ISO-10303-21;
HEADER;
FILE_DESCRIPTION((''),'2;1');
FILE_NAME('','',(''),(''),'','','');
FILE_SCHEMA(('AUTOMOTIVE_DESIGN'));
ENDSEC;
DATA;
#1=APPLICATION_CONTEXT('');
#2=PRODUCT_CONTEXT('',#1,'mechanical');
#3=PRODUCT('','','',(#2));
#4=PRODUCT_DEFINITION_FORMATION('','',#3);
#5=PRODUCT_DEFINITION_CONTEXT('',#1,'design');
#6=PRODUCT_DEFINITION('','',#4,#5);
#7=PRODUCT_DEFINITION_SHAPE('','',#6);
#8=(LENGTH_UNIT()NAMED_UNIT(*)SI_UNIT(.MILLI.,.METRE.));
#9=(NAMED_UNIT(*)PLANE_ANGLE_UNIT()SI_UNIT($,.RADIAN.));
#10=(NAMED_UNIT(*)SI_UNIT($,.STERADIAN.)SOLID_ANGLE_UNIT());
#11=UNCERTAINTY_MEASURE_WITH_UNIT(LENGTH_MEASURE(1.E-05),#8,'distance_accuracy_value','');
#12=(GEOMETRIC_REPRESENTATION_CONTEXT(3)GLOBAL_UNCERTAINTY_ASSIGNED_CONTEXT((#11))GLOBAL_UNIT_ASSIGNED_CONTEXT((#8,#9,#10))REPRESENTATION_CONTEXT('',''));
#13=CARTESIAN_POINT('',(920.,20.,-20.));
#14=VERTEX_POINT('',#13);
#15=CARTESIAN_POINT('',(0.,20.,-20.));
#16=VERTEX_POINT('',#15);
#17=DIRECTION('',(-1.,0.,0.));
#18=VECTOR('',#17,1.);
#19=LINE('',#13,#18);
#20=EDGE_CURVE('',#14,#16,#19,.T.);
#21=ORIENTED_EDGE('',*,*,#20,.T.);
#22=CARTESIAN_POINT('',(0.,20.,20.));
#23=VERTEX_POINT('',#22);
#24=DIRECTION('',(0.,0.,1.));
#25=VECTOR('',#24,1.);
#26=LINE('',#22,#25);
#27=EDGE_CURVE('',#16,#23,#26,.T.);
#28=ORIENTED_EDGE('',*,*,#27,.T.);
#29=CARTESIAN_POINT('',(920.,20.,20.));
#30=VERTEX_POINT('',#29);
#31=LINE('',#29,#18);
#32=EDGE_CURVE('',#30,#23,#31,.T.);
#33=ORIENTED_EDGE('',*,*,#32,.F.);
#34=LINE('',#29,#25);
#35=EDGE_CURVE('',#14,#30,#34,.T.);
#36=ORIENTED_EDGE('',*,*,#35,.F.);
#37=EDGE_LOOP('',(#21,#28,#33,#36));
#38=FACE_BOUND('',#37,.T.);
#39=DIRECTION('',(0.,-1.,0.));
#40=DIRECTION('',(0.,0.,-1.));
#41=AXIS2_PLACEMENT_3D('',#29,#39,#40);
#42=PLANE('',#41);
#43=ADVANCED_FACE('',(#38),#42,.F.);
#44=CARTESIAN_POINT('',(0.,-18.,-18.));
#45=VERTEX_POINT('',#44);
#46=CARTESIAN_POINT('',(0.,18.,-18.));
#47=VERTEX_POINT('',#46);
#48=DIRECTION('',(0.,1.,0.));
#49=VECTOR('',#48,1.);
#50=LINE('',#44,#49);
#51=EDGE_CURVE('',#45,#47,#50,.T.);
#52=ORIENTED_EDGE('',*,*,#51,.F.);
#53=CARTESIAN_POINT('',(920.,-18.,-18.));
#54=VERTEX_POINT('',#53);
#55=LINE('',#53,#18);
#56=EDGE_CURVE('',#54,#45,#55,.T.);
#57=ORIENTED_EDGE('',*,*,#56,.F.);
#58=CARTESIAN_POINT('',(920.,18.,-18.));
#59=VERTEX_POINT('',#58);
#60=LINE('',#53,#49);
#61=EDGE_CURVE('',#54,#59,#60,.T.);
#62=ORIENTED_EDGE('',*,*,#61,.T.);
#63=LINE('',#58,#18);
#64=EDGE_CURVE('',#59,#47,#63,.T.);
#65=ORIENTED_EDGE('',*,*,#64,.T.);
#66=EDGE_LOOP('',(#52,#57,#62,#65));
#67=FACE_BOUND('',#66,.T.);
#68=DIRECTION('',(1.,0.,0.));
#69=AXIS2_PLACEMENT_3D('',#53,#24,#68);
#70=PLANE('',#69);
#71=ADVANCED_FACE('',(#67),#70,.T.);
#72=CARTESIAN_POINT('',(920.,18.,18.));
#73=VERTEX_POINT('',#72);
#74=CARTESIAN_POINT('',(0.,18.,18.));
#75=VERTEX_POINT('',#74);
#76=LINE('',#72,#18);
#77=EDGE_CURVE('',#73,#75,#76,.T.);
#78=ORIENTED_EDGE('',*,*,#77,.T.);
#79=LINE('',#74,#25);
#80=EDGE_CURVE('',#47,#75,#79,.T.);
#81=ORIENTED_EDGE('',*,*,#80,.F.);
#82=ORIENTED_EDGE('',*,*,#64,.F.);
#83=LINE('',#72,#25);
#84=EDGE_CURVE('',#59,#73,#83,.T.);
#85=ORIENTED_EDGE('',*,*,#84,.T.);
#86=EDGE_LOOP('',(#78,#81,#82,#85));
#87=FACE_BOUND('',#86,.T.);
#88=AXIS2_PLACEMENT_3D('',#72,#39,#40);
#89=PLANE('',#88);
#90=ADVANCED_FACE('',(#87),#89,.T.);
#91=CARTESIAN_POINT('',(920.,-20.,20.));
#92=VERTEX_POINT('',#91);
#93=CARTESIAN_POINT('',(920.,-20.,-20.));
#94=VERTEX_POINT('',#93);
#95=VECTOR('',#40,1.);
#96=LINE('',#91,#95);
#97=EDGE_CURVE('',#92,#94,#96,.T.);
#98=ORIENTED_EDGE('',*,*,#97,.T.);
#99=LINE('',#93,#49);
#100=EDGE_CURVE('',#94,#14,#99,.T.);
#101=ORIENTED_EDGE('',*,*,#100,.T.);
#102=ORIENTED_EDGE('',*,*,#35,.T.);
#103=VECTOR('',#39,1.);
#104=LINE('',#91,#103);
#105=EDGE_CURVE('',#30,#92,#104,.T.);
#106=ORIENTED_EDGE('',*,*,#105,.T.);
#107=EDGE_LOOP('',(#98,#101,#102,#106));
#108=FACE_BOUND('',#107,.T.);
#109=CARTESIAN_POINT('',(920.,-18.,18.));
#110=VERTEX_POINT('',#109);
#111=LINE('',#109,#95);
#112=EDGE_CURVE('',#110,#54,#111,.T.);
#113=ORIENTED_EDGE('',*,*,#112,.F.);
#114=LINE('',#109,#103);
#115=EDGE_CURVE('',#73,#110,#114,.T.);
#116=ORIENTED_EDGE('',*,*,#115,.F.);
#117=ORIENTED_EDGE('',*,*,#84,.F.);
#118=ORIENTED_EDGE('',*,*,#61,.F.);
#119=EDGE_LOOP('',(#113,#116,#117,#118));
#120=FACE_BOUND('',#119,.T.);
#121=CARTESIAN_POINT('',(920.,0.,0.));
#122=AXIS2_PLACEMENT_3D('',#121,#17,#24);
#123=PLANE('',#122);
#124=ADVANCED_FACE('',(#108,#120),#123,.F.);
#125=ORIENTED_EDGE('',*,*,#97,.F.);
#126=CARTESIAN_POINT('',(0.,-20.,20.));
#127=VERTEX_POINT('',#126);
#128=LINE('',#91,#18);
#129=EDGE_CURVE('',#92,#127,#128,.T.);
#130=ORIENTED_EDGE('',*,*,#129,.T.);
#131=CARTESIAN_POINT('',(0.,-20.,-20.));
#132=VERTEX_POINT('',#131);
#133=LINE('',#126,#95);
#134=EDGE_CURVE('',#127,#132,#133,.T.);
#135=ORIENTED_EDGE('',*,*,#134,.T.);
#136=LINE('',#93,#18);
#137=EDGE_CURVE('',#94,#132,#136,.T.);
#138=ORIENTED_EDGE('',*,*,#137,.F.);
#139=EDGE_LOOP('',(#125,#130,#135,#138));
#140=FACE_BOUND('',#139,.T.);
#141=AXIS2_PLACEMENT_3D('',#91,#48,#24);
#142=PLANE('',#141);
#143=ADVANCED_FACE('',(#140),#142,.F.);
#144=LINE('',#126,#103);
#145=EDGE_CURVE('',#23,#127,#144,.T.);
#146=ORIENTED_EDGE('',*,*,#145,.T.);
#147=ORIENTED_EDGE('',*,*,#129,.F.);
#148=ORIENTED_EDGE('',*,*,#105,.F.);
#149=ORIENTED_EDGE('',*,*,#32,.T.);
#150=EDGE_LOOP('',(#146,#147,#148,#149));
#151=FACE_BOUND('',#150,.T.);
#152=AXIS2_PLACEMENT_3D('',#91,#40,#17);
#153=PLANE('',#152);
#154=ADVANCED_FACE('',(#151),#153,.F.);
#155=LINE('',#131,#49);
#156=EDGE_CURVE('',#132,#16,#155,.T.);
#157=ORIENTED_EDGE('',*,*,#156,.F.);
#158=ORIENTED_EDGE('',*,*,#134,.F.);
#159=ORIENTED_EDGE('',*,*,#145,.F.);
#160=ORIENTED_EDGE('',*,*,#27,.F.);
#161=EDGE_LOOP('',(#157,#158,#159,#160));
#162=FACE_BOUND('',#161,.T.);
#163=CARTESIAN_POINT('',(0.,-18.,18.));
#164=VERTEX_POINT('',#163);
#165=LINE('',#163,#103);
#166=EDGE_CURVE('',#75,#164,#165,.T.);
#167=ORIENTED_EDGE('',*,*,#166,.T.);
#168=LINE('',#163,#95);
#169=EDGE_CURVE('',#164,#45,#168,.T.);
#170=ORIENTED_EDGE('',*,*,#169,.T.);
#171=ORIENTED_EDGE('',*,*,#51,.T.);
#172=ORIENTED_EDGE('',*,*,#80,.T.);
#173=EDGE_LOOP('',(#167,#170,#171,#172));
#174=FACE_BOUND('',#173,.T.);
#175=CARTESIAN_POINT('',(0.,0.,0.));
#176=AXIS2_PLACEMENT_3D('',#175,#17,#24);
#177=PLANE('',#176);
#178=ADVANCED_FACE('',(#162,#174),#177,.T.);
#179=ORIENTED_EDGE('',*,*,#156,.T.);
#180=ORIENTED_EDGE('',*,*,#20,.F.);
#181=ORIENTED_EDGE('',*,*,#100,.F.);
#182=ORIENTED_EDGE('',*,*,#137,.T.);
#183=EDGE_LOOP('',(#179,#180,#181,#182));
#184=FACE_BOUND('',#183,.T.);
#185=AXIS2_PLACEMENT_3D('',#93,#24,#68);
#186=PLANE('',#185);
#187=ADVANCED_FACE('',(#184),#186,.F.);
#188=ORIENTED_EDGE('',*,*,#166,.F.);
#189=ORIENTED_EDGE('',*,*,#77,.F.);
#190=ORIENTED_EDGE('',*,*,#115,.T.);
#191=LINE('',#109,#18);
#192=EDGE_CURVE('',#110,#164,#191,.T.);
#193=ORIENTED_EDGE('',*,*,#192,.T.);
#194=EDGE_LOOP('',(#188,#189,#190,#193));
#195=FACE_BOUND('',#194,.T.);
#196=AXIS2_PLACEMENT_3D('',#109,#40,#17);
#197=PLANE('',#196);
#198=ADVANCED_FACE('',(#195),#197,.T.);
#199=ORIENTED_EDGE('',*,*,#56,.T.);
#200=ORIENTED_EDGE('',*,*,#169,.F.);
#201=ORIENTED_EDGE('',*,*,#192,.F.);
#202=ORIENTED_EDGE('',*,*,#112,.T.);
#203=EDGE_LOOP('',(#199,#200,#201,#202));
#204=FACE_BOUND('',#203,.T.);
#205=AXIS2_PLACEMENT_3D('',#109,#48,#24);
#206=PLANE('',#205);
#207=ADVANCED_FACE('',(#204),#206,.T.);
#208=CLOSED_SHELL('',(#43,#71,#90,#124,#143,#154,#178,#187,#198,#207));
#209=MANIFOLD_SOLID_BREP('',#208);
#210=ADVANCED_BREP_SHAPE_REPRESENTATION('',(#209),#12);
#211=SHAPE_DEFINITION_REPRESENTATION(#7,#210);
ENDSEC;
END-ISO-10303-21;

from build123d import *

# Parameters (mm, degrees)
CROQUIS1_W              = 40
CROQUIS1_H              = 40
CROQUIS1_W_2            = 36
CROQUIS1_H_2            = 36
SALIENTE_EXTRUIR1_DEPTH = 920


with BuildPart() as part:
    # Croquis1 → Saliente-Extruir1 (new body)
    with BuildSketch(Plane(origin=(0, 0, 0), x_dir=(0, 0, -1), z_dir=(1, 0, 0))):
        Rectangle(CROQUIS1_W, CROQUIS1_H)
        Rectangle(CROQUIS1_W_2, CROQUIS1_H_2, mode=Mode.SUBTRACT)
    extrude(amount=SALIENTE_EXTRUIR1_DEPTH)


solid = part.part
